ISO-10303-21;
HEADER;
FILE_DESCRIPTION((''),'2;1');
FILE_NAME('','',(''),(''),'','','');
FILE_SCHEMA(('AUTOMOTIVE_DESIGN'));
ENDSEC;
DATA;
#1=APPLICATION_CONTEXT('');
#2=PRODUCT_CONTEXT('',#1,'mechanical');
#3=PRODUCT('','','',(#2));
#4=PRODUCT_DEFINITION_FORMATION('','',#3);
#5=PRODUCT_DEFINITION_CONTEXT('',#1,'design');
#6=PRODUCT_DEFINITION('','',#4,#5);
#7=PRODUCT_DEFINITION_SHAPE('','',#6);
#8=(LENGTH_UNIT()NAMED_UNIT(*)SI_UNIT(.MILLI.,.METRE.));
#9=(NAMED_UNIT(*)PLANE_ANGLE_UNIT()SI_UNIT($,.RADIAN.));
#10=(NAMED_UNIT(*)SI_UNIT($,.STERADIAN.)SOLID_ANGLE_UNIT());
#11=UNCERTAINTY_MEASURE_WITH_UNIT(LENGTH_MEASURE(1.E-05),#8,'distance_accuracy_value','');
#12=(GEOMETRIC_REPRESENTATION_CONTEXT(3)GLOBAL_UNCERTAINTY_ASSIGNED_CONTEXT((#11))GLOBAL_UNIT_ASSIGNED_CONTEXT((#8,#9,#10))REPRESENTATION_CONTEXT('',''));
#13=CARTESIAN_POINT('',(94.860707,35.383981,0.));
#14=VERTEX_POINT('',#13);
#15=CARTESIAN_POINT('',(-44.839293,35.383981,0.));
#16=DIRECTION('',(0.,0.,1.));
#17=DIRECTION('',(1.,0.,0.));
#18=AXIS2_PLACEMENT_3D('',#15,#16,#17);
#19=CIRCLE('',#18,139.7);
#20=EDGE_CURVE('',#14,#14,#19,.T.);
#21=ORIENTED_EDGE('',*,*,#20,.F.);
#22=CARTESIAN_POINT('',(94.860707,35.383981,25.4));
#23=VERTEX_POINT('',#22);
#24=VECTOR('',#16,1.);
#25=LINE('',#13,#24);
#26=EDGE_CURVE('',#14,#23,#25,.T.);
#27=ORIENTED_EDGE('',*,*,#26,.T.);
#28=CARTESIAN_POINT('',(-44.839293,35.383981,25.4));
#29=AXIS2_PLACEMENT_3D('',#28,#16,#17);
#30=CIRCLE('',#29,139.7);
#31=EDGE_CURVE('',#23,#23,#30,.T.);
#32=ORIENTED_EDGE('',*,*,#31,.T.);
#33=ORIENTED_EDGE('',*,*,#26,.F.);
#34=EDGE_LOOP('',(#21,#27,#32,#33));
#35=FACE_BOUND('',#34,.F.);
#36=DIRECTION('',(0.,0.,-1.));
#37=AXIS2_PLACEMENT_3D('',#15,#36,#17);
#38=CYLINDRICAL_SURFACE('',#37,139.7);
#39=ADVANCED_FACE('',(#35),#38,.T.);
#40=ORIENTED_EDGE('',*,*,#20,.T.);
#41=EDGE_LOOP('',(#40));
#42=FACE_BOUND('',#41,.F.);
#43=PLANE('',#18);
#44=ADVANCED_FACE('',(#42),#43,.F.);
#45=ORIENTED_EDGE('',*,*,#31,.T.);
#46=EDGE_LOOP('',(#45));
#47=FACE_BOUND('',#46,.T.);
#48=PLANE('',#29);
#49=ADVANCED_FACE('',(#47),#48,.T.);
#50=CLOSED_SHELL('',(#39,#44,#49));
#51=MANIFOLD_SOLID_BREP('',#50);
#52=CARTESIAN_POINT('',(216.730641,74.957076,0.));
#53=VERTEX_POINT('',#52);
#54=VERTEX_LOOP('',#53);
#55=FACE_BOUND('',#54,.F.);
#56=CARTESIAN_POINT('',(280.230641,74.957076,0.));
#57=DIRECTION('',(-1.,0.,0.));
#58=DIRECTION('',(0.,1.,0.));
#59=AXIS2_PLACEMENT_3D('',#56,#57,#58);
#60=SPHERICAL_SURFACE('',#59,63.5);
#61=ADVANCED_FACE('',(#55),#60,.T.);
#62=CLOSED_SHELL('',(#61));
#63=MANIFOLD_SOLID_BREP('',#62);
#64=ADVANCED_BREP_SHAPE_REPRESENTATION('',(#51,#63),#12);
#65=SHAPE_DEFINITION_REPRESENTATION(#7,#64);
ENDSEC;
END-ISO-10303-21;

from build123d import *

# Parameters (mm, degrees)
F0_R     = 139.7
F1_DEPTH = 25.4


with BuildPart() as f1:
    # F0 (on Top) → F1 (new body)
    with BuildSketch(Plane.XY):
        with Locations((-44.839293, 35.383981)):
            Circle(F0_R)
    extrude(amount=F1_DEPTH)


with BuildPart() as f3:
    # F2 (on Top) → F3 (revolve)
    with BuildSketch(Plane.XY):
        with BuildLine():
            Line((216.730641, 74.957076), (343.730641, 74.957076))
            ThreePointArc((343.730641, 74.957076), (280.230641, 138.457076), (216.730641, 74.957076))
        make_face()
    revolve(axis=Axis((280.230641, 74.957076, 0), (1, 0, 0)))


solid = Compound([f1.part, f3.part])
